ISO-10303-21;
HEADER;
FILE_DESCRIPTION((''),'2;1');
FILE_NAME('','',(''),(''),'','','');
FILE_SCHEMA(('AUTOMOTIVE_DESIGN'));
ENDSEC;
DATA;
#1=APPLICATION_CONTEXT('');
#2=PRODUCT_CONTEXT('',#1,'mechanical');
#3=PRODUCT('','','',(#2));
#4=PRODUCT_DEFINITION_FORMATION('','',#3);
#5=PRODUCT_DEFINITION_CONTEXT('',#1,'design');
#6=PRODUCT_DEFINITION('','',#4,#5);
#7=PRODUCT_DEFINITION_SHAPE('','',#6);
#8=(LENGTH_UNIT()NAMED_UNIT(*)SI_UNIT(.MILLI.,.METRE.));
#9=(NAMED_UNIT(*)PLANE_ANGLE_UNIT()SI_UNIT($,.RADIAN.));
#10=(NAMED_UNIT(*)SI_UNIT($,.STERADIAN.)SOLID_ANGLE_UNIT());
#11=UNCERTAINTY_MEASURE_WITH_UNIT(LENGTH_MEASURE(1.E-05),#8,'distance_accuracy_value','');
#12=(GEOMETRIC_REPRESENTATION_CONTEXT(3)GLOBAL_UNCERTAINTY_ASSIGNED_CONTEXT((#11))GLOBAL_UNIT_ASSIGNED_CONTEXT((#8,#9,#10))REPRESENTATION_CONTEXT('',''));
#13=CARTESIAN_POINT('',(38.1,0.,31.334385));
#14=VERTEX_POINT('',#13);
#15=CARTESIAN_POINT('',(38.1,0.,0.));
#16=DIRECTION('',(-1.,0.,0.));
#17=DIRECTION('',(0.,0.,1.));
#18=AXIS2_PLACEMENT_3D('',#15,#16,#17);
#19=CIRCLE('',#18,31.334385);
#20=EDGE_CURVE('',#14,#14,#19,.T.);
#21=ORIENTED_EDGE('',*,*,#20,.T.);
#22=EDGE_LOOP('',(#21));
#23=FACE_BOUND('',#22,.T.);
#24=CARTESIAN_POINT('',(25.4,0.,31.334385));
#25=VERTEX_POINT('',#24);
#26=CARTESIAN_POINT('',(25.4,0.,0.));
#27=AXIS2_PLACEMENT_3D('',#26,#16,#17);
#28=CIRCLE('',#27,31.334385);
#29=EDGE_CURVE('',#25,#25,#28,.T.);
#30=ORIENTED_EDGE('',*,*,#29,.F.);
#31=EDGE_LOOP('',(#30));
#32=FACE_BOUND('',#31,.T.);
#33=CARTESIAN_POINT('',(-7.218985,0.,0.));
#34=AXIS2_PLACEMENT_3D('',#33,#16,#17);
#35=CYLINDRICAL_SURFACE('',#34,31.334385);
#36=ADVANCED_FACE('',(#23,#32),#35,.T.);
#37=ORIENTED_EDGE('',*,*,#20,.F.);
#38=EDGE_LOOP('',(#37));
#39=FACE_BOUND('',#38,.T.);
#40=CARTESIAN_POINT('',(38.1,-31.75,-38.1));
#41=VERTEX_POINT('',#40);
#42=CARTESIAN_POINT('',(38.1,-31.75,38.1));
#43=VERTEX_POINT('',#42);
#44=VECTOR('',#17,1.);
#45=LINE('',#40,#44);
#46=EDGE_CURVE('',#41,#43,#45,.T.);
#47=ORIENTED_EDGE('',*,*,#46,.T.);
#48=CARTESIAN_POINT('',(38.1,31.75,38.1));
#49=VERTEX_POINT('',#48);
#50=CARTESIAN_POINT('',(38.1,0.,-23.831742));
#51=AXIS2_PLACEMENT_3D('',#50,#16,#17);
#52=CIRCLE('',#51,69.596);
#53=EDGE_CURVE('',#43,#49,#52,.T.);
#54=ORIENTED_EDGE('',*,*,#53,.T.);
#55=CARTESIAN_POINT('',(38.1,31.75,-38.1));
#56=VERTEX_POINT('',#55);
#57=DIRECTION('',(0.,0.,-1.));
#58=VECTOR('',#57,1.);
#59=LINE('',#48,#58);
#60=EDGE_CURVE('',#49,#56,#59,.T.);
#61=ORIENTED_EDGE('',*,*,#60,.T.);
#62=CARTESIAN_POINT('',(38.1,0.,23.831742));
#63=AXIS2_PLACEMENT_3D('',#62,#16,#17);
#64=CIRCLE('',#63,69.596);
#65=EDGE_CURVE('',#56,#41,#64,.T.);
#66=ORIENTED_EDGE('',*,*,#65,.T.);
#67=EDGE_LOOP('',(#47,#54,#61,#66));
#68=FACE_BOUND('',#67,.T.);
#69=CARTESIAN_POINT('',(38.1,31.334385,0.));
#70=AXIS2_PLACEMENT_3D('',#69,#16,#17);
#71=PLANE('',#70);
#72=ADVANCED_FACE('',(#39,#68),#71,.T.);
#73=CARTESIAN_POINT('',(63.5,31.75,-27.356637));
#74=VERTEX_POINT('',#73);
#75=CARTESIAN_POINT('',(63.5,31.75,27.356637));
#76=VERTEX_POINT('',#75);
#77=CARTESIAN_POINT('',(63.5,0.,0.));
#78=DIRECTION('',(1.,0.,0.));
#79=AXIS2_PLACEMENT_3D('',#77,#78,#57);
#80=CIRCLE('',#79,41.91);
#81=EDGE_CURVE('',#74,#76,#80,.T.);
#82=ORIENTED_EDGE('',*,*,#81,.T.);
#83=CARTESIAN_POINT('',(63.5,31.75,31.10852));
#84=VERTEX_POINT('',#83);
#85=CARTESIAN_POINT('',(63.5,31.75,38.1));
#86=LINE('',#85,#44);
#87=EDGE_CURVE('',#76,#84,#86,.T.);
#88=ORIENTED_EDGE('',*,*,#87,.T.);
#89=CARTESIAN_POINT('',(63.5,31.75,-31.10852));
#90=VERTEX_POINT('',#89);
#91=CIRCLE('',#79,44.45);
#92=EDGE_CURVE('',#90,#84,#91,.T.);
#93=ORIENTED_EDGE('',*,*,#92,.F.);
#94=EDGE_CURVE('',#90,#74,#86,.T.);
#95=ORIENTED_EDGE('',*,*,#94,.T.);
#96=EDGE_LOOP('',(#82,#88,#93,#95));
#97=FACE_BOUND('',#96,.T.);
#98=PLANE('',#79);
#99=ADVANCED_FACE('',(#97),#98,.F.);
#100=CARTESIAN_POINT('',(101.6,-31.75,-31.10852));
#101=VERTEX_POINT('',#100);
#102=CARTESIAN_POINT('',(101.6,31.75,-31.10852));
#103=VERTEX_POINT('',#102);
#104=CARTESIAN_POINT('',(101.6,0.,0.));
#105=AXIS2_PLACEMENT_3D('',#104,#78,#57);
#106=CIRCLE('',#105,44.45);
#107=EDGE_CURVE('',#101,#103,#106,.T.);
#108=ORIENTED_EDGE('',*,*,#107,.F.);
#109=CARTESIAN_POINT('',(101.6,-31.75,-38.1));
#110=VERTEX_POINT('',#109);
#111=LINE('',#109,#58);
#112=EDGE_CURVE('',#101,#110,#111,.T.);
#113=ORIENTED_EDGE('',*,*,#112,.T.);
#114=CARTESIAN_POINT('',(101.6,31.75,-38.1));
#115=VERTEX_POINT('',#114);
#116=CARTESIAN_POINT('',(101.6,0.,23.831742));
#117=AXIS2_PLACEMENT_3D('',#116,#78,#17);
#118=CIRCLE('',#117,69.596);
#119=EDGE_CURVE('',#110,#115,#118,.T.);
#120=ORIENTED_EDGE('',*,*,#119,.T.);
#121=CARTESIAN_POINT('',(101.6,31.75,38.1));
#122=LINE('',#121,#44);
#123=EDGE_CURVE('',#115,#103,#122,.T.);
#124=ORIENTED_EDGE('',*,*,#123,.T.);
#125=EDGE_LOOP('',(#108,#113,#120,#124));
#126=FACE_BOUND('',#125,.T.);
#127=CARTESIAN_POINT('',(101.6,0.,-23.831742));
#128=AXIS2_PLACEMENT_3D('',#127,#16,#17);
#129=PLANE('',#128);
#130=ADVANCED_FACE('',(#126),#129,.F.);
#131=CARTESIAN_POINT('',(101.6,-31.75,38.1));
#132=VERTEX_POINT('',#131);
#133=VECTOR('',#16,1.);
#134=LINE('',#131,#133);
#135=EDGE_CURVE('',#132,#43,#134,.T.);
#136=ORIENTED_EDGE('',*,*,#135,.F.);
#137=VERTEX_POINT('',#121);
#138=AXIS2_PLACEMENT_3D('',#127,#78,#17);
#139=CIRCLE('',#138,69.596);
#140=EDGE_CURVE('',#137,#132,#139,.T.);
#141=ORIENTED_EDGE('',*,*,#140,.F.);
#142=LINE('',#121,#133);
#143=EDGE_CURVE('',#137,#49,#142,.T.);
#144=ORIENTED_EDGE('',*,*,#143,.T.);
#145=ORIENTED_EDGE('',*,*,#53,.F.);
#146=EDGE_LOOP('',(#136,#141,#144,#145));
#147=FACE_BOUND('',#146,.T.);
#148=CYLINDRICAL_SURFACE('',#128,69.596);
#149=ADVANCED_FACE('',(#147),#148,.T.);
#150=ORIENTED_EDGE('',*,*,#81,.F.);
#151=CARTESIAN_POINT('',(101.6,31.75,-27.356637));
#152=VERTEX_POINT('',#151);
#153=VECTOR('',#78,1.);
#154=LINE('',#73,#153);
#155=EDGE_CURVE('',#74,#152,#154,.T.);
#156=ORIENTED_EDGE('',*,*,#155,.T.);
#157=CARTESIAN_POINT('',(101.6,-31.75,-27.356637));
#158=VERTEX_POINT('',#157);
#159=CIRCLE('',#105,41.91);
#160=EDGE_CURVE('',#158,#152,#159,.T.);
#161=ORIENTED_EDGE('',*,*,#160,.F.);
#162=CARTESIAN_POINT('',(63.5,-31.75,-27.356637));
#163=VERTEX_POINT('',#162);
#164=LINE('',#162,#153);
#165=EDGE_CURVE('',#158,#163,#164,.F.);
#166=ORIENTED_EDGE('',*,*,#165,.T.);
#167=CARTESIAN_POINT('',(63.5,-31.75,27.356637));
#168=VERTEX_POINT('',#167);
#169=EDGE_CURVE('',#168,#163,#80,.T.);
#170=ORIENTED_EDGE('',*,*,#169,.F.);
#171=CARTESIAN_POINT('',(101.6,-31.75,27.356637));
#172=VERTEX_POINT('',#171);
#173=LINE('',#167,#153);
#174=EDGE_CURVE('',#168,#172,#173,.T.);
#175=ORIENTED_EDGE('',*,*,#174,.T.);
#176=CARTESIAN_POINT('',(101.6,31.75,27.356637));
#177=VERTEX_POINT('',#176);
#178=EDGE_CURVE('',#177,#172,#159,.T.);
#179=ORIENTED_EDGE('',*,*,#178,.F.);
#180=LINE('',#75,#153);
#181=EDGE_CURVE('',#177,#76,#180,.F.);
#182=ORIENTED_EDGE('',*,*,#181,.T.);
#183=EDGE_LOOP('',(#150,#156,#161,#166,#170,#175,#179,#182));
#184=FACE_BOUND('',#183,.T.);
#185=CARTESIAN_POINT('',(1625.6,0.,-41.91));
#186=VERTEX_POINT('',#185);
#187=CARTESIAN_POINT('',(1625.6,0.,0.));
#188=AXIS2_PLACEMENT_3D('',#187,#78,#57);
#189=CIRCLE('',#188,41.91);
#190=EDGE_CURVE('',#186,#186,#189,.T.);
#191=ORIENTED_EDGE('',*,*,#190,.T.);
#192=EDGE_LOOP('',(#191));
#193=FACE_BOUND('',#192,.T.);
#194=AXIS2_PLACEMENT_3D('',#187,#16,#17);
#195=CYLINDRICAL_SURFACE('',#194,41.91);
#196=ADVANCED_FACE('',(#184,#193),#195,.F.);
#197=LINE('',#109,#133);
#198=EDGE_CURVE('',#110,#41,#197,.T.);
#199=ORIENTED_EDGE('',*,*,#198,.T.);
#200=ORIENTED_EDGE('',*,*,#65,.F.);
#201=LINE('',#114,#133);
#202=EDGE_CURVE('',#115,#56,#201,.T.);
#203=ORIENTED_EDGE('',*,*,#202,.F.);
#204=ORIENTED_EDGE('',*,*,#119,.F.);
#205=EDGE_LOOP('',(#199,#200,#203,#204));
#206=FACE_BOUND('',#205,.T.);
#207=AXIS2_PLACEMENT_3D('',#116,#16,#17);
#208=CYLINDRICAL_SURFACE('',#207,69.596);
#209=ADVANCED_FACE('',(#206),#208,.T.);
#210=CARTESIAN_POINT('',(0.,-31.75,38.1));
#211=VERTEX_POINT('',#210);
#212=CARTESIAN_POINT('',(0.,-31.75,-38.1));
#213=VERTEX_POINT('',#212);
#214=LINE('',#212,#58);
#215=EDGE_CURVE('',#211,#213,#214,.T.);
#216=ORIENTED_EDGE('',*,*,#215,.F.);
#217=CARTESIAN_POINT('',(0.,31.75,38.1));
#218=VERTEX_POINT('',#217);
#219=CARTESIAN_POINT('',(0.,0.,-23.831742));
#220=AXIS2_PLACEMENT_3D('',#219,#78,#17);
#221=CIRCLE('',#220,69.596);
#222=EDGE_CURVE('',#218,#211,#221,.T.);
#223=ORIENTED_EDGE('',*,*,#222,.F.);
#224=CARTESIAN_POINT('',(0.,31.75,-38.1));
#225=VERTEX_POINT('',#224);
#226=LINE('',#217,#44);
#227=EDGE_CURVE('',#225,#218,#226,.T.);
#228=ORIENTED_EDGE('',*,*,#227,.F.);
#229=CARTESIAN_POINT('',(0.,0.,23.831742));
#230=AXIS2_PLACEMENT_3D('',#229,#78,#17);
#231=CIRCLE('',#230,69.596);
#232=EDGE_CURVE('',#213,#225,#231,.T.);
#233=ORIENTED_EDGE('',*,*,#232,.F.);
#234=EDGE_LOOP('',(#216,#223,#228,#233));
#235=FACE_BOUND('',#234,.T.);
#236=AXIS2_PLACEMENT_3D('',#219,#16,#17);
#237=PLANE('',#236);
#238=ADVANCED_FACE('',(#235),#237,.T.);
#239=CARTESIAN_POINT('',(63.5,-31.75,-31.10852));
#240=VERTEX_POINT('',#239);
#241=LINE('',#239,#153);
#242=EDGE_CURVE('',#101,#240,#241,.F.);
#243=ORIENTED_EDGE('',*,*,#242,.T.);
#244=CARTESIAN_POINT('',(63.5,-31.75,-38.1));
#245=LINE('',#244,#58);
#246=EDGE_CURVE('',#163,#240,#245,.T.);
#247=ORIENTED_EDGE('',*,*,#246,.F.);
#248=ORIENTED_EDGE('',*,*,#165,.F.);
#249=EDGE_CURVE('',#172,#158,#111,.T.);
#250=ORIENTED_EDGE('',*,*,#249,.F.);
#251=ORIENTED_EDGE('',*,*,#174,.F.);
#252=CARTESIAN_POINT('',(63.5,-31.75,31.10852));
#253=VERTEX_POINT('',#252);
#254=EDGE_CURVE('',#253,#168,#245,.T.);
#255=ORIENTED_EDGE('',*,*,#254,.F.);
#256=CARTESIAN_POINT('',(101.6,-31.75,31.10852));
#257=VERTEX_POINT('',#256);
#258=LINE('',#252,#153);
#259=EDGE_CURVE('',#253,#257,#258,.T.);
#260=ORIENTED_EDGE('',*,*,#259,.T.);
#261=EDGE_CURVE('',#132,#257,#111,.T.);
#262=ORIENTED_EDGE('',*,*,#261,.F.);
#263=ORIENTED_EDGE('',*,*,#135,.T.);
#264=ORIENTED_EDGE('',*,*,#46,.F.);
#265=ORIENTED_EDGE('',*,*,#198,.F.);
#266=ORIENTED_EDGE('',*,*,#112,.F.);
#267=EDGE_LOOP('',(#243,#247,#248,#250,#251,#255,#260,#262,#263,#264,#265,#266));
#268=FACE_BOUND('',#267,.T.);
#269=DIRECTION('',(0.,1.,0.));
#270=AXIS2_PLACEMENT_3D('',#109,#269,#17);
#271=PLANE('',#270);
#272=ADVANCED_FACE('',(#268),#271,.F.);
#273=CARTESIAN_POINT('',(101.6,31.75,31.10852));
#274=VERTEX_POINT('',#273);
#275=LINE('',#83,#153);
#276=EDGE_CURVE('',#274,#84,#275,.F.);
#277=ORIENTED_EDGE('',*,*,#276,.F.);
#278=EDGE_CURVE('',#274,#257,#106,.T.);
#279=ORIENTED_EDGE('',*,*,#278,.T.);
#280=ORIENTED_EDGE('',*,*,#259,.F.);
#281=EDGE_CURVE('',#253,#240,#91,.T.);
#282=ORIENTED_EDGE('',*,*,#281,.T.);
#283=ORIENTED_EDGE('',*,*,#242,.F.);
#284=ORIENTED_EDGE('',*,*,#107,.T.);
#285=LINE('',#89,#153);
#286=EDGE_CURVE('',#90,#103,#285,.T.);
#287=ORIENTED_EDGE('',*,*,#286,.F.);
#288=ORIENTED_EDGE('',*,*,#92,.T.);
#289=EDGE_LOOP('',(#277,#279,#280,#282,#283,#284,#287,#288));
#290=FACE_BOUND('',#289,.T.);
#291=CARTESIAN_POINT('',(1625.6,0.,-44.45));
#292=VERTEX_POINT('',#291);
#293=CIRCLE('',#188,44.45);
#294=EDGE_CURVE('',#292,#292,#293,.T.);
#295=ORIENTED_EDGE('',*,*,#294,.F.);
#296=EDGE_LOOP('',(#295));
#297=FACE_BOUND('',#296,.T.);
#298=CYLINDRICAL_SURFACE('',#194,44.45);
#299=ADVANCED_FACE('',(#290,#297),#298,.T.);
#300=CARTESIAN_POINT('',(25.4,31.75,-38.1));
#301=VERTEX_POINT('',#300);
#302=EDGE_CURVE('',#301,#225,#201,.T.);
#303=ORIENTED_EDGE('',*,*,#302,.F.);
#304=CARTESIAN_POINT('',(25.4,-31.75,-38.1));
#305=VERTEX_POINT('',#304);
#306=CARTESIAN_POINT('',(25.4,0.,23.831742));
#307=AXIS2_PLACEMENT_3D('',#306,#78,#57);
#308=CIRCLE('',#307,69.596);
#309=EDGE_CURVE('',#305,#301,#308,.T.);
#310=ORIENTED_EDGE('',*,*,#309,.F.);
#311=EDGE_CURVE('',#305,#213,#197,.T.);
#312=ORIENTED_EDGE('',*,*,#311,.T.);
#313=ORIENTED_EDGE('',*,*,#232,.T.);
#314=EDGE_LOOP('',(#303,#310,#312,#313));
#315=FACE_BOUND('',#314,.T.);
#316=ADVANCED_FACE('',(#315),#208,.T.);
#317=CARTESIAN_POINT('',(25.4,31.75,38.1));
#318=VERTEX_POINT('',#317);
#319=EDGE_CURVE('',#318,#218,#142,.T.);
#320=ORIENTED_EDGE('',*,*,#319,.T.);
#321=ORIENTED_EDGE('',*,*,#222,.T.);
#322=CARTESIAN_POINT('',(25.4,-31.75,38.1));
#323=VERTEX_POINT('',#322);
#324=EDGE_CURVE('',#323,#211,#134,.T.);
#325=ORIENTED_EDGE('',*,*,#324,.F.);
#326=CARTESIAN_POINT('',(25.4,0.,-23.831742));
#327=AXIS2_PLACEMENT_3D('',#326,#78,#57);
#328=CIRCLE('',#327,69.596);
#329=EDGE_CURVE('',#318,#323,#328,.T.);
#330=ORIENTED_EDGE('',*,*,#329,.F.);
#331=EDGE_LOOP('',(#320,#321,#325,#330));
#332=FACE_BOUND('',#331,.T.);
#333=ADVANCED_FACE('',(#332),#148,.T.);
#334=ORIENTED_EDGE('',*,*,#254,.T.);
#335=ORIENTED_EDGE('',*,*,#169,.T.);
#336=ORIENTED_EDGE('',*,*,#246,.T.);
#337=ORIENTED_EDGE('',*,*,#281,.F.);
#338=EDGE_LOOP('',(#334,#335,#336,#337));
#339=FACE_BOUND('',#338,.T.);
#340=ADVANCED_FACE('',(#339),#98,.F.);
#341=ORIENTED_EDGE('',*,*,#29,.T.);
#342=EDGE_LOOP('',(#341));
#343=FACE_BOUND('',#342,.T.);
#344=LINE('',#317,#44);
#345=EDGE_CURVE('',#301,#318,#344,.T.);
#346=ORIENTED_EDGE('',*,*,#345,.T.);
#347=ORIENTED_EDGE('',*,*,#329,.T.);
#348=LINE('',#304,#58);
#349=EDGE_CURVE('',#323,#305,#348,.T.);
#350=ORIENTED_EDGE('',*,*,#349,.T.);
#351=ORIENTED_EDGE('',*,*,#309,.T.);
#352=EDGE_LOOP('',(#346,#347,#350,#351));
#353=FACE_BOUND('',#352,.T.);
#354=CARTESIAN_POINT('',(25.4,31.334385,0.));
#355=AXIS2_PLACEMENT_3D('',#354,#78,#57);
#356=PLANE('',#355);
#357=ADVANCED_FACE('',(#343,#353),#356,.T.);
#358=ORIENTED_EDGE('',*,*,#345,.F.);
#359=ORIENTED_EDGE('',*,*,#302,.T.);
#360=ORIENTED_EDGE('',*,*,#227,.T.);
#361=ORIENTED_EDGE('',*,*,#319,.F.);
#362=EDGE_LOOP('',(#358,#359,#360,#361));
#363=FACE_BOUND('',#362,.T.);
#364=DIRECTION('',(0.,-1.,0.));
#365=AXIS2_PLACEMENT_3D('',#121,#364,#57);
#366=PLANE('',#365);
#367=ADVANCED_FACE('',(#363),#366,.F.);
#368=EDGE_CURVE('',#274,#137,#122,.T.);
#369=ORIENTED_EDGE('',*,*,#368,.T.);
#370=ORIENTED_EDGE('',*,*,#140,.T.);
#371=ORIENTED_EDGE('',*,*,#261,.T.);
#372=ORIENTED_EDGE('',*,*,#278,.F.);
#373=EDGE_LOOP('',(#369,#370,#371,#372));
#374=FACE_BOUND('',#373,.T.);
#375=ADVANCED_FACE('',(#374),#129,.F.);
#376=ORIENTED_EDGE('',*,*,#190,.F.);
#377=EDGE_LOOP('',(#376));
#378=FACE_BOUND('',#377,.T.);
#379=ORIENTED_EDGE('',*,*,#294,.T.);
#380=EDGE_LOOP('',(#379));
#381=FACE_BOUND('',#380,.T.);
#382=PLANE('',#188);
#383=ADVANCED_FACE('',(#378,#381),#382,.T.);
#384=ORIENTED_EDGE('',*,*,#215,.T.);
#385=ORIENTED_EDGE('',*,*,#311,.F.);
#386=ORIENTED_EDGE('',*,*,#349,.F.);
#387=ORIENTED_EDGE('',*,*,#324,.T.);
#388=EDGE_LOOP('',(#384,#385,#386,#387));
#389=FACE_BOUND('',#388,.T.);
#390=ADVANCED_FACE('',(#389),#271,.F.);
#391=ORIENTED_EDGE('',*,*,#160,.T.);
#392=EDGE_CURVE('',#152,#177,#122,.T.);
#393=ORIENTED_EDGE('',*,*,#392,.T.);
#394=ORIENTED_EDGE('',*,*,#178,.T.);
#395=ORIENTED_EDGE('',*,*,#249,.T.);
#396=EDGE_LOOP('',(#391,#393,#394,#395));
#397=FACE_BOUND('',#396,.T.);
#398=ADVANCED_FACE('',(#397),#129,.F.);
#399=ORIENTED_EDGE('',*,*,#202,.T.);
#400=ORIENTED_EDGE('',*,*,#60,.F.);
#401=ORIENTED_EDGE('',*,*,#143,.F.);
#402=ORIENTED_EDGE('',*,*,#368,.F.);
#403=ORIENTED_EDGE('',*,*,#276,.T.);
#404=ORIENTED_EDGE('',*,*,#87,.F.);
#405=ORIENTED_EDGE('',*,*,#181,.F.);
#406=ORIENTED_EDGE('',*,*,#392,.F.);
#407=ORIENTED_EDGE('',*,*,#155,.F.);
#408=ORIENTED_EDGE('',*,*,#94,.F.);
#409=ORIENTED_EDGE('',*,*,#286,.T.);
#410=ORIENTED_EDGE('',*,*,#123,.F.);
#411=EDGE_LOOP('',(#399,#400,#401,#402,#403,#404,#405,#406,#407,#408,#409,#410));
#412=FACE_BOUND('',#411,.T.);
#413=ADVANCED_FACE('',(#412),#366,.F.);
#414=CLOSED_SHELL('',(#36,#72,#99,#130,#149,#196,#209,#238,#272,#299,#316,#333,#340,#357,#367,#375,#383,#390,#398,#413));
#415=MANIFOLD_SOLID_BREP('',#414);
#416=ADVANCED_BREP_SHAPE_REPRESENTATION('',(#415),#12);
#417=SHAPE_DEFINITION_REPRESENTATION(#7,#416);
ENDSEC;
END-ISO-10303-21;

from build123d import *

# Parameters (mm, degrees)
BOSS_EXTRUDE1_DEPTH = 101.6
SKETCH2_W           = 12.7
SKETCH2_H           = 25.4
SKETCH3_R           = 44.45
SKETCH3_R_2         = 41.91
BOSS_EXTRUDE2_DEPTH = 1524
BOSS_EXTRUDE3_START = -38.1
SKETCH3_2_R         = 44.45
SKETCH3_2_R_2       = 41.91
BOSS_EXTRUDE3_DEPTH = 38.1


with BuildPart() as part:
    # Sketch1 → Boss-Extrude1 (new body)
    with BuildSketch(Plane(origin=(0, 0, 0), x_dir=(0, 0, -1), z_dir=(1, 0, 0))):
        with BuildLine():
            Line((-38.1, 31.75), (38.1, 31.75))
            ThreePointArc((38.1, 31.75), (45.764257606, 0), (38.1, -31.75))
            Line((38.1, -31.75), (-38.1, -31.75))
            ThreePointArc((-38.1, -31.75), (-45.764257606, 0), (-38.1, 31.75))
        make_face()
    extrude(amount=BOSS_EXTRUDE1_DEPTH)

    # Sketch2 → Cut-Revolve1 (revolve, cut)
    with BuildSketch(Plane.XY):
        with Locations((31.75, 44.034385241)):
            Rectangle(SKETCH2_W, SKETCH2_H)
    revolve(axis=Axis((-7.218985368, 0, 0), (1, 0, 0)), mode=Mode.SUBTRACT)

    # Sketch3 → Boss-Extrude2 (add)
    with BuildSketch(Plane(origin=(101.6, 0, 0), x_dir=(0, 0, -1), z_dir=(1, 0, 0))):
        Circle(SKETCH3_R)
        Circle(SKETCH3_R_2, mode=Mode.SUBTRACT)
    extrude(amount=BOSS_EXTRUDE2_DEPTH)

    # Sketch3<2> → Boss-Extrude3 (add)
    with BuildSketch(Plane(origin=(101.6, 0, 0), x_dir=(0, 0, -1), z_dir=(1, 0, 0)).offset(BOSS_EXTRUDE3_START)):
        Circle(SKETCH3_2_R)
        Circle(SKETCH3_2_R_2, mode=Mode.SUBTRACT)
    extrude(amount=BOSS_EXTRUDE3_DEPTH)


solid = part.part
